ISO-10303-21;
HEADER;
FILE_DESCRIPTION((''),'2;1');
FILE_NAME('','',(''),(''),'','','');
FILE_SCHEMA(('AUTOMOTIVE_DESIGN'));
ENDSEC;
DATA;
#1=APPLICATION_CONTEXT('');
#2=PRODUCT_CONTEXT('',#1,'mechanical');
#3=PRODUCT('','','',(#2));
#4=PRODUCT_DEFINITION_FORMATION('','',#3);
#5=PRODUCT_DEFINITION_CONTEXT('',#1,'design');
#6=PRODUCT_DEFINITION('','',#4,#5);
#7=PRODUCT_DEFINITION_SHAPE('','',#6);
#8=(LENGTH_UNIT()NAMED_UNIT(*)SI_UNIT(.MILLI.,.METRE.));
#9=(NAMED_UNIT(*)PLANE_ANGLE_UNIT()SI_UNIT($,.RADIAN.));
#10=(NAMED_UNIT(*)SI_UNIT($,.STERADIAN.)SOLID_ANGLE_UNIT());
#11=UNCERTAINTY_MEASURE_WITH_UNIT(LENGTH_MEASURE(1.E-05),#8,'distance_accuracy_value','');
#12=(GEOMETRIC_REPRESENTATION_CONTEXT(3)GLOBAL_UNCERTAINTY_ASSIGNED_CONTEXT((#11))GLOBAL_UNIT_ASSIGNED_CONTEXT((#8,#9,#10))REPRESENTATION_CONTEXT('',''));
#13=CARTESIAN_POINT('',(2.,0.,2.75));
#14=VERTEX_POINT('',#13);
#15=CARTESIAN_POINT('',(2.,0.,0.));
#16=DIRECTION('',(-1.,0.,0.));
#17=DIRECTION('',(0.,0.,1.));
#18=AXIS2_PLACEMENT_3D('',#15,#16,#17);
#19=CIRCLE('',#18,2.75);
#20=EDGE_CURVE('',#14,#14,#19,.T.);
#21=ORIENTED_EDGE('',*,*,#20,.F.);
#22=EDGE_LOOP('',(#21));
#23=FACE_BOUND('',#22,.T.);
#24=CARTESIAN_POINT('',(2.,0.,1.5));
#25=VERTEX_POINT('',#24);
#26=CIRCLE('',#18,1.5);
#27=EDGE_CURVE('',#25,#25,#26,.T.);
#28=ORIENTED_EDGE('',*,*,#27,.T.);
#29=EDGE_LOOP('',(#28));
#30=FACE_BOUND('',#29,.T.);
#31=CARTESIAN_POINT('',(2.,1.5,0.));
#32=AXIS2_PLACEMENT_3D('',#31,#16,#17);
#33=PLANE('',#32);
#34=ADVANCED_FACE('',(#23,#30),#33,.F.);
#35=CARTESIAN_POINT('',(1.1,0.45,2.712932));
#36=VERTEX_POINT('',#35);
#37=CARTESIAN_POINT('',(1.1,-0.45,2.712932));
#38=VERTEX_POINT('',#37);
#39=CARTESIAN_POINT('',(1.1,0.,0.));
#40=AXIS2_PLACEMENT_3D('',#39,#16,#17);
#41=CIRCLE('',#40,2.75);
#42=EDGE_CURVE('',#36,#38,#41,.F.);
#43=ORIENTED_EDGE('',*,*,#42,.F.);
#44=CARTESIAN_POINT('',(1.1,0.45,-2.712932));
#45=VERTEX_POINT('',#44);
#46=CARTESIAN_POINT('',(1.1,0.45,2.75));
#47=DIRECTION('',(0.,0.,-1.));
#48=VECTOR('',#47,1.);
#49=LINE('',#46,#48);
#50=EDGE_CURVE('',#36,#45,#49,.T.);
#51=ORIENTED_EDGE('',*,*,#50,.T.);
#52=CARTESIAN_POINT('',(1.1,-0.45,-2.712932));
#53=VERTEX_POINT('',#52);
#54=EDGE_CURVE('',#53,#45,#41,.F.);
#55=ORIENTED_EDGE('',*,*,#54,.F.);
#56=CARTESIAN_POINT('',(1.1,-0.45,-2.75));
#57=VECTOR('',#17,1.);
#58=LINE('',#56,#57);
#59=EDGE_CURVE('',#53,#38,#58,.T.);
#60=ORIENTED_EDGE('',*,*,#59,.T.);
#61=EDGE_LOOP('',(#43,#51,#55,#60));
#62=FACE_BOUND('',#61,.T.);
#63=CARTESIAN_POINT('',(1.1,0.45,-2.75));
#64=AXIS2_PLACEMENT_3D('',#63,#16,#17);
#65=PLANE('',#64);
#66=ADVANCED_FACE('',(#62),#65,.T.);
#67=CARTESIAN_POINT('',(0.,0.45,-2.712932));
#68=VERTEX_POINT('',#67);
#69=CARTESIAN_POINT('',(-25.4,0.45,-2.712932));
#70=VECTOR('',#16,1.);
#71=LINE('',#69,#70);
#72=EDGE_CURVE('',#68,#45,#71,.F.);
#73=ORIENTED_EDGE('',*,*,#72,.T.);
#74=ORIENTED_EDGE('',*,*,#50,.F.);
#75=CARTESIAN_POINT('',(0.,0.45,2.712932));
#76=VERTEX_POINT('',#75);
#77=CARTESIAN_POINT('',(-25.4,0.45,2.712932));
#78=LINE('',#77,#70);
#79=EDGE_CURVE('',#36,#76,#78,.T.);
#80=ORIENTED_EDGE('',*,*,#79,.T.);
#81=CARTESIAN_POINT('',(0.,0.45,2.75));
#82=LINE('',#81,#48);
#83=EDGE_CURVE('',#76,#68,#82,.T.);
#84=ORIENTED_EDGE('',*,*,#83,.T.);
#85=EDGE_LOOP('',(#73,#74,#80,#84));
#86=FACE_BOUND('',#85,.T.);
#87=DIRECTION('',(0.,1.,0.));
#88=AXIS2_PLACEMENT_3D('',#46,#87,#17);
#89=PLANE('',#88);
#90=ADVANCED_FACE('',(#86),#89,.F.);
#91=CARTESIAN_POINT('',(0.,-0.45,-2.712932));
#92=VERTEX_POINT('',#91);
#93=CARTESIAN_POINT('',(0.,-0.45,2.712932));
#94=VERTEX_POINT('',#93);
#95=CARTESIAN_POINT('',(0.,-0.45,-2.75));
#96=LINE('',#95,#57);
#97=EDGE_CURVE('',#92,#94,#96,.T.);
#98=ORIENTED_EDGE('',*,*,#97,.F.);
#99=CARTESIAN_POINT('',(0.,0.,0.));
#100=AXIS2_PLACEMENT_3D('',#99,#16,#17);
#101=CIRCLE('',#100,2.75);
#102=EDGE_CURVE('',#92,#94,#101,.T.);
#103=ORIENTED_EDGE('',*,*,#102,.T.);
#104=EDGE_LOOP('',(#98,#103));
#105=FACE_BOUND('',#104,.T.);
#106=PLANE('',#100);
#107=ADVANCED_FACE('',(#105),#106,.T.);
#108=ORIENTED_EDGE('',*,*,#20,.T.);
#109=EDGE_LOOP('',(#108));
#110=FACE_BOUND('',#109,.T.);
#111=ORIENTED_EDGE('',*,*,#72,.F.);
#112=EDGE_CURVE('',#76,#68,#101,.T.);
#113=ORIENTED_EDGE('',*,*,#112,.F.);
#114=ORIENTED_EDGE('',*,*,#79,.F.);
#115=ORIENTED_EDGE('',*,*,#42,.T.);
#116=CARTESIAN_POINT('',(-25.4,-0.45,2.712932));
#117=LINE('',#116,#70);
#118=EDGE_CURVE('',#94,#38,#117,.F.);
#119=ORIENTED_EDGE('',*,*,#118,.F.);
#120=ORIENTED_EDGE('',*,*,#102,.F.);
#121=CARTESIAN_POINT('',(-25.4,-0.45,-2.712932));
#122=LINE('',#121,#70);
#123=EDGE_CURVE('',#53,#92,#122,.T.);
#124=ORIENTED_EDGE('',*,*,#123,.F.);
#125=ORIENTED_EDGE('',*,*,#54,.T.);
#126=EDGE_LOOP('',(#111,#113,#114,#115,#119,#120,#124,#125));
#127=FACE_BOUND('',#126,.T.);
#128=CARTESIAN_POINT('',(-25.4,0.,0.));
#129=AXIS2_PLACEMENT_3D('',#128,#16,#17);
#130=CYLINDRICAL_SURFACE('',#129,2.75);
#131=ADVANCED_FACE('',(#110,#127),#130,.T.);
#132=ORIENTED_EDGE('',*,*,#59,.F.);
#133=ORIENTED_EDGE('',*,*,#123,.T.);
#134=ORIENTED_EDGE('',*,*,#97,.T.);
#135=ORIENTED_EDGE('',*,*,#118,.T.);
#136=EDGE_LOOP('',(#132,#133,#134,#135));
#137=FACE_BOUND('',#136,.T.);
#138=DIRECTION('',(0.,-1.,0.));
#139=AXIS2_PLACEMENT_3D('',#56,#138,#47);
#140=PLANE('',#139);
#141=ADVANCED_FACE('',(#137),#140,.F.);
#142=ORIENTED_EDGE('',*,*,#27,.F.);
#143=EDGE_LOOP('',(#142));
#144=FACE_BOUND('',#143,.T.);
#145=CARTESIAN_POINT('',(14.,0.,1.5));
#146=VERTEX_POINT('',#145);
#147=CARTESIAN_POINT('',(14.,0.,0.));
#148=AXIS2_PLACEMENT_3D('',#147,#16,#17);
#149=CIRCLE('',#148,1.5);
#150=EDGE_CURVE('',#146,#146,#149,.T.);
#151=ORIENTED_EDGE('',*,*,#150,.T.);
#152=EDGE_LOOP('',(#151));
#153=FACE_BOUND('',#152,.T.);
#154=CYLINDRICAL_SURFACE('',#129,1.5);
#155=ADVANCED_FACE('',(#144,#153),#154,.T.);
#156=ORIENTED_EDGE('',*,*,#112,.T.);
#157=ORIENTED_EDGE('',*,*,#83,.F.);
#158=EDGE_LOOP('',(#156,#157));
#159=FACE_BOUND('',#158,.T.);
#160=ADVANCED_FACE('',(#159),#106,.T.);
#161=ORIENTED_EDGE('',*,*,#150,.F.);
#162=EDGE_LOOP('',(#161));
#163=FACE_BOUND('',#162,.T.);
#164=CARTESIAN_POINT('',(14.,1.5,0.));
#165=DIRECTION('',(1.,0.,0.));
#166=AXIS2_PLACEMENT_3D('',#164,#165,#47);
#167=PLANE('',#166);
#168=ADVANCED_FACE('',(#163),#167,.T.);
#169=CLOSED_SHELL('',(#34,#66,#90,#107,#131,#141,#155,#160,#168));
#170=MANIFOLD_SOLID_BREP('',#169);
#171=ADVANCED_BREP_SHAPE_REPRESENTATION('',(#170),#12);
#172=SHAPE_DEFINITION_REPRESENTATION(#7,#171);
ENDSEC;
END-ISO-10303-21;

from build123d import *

# Parameters (mm, degrees)
SKETCH2_W  = 5.5
SKETCH2_H  = 0.9
SLOT_DEPTH = 1.1


with BuildPart() as part:
    # BodySke → Base-Revolve (revolve)
    with BuildSketch(Plane.XY, mode=Mode.PRIVATE) as base_revolve_sk:
        Polygon((2, 1.5), (2, 2.75), (0, 2.75), (0, 0), (14, 0), (14, 1.5), align=None)
    revolve(base_revolve_sk.sketch.rotate(Axis((-25.4, 0, 0), (1, 0, 0)), 90), axis=Axis((-25.4, 0, 0), (1, 0, 0)))

    # Sketch2 → Slot (cut)
    with BuildSketch(Plane(origin=(0, 0, 0), x_dir=(0, 0, -1), z_dir=(1, 0, 0))):
        Rectangle(SKETCH2_W, SKETCH2_H)
    extrude(amount=SLOT_DEPTH, mode=Mode.SUBTRACT)


solid = part.part
